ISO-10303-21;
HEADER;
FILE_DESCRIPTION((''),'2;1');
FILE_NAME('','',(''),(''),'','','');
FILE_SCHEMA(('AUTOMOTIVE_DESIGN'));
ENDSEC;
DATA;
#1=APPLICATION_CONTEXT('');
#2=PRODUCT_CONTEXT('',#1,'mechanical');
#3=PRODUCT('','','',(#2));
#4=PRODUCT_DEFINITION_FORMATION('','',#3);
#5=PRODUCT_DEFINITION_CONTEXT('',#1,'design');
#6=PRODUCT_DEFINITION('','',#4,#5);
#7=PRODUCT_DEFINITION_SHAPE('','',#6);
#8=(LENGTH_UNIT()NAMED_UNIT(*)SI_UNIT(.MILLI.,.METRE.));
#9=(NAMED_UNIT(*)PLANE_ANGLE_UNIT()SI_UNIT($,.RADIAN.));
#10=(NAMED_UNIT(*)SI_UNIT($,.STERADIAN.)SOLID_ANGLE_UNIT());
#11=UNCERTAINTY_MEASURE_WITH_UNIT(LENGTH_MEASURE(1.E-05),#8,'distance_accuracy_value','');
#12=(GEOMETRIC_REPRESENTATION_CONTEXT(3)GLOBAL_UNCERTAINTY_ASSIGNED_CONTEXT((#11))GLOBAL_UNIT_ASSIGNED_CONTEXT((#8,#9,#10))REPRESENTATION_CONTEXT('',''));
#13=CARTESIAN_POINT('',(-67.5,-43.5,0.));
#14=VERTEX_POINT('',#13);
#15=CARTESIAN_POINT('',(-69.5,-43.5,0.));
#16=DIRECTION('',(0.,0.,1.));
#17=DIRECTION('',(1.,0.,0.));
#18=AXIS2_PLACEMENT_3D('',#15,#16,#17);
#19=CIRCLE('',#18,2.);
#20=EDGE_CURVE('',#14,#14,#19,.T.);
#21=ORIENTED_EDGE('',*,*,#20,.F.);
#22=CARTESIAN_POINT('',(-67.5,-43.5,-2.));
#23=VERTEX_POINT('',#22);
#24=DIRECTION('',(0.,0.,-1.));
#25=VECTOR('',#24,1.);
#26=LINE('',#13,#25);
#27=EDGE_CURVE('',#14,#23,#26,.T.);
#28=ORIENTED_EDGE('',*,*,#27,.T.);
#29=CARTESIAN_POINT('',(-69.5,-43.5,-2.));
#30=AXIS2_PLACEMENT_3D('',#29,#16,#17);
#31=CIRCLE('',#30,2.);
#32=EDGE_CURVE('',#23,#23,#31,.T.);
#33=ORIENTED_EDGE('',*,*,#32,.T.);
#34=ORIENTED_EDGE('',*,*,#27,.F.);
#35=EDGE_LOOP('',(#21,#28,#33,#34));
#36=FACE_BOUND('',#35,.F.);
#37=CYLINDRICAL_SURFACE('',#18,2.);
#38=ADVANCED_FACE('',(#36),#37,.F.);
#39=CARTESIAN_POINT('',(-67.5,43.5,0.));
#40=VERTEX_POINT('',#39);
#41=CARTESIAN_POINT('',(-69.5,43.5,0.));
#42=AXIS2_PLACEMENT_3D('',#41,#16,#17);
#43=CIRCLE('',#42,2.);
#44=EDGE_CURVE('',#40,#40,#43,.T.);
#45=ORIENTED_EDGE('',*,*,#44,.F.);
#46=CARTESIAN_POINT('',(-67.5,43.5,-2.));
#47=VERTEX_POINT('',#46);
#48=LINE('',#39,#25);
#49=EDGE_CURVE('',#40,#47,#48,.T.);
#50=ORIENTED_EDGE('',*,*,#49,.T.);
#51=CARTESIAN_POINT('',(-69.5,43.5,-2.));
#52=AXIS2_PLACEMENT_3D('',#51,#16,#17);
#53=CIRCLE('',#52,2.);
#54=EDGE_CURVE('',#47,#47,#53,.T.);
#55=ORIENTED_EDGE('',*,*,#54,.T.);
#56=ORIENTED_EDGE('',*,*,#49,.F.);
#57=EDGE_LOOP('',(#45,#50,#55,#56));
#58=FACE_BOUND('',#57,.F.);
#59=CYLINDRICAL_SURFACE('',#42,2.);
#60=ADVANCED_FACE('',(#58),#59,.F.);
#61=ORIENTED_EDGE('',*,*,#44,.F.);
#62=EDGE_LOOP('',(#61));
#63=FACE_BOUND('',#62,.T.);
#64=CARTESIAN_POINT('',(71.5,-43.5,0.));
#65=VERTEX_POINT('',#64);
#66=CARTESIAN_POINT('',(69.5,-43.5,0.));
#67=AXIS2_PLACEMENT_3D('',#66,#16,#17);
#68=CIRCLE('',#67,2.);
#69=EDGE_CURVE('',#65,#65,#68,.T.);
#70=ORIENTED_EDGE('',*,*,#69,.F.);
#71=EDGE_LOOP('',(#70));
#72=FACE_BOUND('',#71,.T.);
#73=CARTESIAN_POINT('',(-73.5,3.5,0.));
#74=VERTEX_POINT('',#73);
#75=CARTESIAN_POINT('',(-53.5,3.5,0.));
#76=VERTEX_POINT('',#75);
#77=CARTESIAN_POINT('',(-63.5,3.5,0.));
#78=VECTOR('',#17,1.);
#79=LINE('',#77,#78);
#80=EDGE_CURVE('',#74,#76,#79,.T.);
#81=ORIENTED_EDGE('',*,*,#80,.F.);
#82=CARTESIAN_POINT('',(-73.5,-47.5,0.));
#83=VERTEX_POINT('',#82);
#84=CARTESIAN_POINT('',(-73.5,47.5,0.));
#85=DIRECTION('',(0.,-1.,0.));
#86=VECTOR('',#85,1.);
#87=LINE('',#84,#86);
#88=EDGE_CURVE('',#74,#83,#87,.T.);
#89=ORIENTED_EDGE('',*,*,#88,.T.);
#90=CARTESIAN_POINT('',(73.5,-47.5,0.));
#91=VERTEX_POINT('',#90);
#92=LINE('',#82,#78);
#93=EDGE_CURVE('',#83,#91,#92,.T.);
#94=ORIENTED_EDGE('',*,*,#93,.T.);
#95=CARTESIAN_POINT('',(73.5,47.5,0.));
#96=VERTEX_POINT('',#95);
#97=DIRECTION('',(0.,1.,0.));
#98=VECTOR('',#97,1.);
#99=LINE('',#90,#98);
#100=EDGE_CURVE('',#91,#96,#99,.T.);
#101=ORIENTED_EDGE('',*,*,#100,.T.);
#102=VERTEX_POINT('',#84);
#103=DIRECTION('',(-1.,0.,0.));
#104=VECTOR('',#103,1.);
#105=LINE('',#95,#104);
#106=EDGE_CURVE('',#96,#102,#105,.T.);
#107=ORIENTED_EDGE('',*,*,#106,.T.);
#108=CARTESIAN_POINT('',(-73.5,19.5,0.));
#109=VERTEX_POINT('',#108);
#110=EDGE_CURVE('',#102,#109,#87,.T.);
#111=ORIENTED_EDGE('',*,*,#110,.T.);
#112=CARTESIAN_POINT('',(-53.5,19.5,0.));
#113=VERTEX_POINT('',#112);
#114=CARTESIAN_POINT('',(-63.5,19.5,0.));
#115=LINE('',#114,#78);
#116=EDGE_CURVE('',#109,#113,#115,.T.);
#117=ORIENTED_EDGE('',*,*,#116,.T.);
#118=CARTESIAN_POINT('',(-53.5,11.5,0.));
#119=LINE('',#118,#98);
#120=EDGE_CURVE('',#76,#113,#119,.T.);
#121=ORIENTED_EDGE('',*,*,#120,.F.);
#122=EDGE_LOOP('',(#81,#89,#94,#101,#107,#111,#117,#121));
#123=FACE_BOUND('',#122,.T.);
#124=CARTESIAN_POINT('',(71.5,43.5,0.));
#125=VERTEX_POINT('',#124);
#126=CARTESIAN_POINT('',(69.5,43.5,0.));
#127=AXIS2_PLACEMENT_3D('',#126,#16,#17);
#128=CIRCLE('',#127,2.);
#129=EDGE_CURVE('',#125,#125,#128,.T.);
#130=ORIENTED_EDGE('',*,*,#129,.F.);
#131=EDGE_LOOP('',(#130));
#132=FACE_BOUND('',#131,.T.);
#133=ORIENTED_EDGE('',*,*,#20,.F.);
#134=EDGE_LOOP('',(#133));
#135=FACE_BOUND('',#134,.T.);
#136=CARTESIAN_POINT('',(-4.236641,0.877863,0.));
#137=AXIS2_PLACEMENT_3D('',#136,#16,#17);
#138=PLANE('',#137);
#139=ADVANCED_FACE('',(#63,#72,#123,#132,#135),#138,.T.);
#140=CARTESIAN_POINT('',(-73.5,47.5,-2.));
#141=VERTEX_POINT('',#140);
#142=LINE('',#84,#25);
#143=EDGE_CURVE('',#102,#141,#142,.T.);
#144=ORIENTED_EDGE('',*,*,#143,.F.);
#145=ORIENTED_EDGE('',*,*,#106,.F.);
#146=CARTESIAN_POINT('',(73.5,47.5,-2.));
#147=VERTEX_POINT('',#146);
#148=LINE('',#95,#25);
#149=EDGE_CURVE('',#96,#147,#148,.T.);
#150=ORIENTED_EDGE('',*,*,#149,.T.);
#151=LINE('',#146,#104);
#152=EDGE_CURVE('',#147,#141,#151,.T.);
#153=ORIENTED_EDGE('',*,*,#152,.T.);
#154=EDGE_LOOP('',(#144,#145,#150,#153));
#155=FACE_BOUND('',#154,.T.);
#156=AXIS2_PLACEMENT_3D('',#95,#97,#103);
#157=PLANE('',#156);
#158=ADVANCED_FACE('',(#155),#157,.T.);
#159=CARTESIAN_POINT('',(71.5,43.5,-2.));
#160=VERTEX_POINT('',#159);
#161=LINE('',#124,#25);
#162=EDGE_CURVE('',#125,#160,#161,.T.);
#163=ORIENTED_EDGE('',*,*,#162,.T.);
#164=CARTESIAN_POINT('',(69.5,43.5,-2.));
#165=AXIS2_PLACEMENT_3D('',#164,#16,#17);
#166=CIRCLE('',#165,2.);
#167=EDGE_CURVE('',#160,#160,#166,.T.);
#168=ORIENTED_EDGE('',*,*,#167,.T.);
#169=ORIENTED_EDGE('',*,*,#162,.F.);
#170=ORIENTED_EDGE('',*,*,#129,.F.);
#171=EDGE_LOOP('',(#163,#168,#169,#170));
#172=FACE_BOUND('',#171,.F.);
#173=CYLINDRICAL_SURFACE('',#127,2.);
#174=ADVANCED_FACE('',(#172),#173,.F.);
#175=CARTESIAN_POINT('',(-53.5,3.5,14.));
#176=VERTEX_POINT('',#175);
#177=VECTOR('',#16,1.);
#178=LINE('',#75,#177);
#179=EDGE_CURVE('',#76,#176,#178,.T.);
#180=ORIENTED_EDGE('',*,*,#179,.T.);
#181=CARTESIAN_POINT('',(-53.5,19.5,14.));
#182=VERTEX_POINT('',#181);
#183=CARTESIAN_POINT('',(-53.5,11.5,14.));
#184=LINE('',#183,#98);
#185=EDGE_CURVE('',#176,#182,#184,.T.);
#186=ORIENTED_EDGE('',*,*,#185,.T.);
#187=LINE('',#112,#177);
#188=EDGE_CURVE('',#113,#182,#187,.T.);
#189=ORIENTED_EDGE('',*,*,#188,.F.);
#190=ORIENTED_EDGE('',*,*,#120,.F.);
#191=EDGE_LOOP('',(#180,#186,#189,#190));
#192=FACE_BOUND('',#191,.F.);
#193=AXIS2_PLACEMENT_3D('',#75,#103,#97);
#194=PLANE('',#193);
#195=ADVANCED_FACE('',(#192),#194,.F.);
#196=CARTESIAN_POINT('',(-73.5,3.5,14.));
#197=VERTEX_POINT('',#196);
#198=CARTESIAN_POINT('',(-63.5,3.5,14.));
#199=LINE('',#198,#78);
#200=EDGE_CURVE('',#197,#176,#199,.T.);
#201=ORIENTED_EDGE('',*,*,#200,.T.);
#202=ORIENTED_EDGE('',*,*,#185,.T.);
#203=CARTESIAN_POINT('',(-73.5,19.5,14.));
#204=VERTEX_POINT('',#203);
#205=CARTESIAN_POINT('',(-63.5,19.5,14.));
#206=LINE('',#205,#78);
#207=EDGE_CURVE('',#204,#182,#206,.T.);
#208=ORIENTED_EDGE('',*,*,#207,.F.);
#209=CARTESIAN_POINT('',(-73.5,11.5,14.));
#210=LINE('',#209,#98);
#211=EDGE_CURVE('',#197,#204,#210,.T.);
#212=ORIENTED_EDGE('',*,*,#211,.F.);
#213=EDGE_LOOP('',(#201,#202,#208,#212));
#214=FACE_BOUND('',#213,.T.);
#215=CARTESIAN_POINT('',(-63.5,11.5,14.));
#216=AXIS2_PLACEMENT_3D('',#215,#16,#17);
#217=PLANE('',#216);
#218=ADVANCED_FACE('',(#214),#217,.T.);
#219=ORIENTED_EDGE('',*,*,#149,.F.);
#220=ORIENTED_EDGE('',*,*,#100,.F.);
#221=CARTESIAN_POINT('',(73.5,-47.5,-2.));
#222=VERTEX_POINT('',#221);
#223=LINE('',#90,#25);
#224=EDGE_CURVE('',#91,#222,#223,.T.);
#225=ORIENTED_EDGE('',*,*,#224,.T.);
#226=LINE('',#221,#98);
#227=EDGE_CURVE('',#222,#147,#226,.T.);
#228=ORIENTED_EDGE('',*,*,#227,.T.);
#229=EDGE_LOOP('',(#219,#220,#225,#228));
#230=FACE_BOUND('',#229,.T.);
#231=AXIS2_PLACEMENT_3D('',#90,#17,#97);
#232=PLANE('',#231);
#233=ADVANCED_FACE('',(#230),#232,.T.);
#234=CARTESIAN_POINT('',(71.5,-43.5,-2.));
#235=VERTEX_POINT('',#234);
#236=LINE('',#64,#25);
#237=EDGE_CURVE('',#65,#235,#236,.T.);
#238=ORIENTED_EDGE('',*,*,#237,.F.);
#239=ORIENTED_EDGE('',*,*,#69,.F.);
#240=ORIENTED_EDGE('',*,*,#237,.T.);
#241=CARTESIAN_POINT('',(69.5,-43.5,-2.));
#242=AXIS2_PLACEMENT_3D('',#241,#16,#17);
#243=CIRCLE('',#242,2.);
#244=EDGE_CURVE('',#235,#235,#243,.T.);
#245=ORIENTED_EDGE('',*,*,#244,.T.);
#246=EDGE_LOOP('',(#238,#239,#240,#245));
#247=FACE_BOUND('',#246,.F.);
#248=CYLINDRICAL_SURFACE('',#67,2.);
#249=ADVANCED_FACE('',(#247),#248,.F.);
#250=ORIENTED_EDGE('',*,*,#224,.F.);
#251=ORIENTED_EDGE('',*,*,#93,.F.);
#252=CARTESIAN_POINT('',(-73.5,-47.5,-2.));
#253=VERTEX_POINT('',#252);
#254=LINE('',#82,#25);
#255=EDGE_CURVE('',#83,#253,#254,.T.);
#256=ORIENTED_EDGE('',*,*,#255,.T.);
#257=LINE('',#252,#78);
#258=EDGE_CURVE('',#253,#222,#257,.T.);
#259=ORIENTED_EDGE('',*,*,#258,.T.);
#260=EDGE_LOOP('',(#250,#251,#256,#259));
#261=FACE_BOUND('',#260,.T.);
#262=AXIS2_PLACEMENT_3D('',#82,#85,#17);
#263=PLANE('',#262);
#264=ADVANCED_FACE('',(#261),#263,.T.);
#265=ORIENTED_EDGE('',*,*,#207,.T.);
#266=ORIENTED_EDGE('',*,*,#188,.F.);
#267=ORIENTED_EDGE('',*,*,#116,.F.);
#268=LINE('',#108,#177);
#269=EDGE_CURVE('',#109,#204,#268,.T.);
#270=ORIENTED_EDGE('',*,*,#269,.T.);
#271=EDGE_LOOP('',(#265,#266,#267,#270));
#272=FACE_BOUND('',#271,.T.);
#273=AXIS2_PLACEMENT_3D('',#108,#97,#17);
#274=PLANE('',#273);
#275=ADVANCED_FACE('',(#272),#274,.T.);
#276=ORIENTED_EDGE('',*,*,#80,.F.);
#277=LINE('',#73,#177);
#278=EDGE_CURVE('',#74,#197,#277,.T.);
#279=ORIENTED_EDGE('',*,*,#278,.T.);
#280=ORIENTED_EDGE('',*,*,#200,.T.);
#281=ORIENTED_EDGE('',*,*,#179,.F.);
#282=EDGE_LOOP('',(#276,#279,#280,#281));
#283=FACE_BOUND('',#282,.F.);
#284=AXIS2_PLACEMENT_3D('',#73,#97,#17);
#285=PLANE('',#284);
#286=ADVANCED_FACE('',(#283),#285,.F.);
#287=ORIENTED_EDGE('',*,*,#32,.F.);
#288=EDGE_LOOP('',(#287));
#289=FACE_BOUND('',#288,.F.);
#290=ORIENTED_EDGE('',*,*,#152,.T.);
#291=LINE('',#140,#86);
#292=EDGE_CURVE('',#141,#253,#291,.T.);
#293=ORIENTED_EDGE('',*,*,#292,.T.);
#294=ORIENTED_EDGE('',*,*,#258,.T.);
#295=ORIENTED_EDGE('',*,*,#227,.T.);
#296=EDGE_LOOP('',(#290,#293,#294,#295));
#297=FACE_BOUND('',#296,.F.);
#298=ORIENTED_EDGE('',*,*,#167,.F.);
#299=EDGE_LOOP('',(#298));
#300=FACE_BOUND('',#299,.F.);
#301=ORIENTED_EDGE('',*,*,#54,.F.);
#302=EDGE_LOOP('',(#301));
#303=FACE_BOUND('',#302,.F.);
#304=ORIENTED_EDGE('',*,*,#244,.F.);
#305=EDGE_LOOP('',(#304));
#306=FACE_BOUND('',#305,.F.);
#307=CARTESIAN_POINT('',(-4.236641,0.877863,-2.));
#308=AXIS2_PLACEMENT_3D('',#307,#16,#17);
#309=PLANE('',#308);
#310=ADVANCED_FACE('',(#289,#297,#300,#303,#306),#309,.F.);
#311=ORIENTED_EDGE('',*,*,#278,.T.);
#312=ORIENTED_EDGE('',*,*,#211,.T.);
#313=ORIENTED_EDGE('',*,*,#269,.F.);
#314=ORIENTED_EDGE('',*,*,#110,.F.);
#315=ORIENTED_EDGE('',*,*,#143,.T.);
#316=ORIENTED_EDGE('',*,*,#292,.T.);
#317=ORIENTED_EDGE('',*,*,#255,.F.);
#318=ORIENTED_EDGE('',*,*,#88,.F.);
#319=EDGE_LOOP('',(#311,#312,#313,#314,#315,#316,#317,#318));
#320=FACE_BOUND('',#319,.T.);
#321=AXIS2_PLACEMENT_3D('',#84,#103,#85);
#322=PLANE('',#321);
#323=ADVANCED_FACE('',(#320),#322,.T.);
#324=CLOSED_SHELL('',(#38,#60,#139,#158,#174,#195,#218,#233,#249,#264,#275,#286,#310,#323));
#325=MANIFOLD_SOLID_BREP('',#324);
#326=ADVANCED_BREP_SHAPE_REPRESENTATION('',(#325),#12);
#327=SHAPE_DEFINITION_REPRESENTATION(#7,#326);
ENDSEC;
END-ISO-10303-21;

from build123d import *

# Parameters (mm, degrees)
F0_R     = 2
F0_W     = 20
F0_H     = 16
F1_DEPTH = 2
F2_DEPTH = 14


with BuildPart() as f1:
    # F0 (on Top) → F1 (new body)
    with BuildSketch(Plane.XY):
        Polygon((-73.5, -47.5), (73.5, -47.5), (73.5, 47.5), (-73.5, 47.5), (-73.5, 19.5), (-53.5, 19.5), (-53.5, 3.5), (-73.5, 3.5), align=None)
        with Locations((-69.5, -43.5)):
            Circle(F0_R, mode=Mode.SUBTRACT)
        with Locations((69.5, -43.5)):
            Circle(F0_R, mode=Mode.SUBTRACT)
        with Locations((-69.5, 43.5)):
            Circle(F0_R, mode=Mode.SUBTRACT)
        with Locations((69.5, 43.5)):
            Circle(F0_R, mode=Mode.SUBTRACT)
        with Locations((-63.5, 11.5)):
            Rectangle(F0_W, F0_H)
    extrude(amount=-F1_DEPTH)

    # F0 (on Top) → F2 (join)
    with BuildSketch(Plane.XY):
        with Locations((-63.5, 11.5)):
            Rectangle(F0_W, F0_H)
    extrude(amount=F2_DEPTH)


solid = f1.part
